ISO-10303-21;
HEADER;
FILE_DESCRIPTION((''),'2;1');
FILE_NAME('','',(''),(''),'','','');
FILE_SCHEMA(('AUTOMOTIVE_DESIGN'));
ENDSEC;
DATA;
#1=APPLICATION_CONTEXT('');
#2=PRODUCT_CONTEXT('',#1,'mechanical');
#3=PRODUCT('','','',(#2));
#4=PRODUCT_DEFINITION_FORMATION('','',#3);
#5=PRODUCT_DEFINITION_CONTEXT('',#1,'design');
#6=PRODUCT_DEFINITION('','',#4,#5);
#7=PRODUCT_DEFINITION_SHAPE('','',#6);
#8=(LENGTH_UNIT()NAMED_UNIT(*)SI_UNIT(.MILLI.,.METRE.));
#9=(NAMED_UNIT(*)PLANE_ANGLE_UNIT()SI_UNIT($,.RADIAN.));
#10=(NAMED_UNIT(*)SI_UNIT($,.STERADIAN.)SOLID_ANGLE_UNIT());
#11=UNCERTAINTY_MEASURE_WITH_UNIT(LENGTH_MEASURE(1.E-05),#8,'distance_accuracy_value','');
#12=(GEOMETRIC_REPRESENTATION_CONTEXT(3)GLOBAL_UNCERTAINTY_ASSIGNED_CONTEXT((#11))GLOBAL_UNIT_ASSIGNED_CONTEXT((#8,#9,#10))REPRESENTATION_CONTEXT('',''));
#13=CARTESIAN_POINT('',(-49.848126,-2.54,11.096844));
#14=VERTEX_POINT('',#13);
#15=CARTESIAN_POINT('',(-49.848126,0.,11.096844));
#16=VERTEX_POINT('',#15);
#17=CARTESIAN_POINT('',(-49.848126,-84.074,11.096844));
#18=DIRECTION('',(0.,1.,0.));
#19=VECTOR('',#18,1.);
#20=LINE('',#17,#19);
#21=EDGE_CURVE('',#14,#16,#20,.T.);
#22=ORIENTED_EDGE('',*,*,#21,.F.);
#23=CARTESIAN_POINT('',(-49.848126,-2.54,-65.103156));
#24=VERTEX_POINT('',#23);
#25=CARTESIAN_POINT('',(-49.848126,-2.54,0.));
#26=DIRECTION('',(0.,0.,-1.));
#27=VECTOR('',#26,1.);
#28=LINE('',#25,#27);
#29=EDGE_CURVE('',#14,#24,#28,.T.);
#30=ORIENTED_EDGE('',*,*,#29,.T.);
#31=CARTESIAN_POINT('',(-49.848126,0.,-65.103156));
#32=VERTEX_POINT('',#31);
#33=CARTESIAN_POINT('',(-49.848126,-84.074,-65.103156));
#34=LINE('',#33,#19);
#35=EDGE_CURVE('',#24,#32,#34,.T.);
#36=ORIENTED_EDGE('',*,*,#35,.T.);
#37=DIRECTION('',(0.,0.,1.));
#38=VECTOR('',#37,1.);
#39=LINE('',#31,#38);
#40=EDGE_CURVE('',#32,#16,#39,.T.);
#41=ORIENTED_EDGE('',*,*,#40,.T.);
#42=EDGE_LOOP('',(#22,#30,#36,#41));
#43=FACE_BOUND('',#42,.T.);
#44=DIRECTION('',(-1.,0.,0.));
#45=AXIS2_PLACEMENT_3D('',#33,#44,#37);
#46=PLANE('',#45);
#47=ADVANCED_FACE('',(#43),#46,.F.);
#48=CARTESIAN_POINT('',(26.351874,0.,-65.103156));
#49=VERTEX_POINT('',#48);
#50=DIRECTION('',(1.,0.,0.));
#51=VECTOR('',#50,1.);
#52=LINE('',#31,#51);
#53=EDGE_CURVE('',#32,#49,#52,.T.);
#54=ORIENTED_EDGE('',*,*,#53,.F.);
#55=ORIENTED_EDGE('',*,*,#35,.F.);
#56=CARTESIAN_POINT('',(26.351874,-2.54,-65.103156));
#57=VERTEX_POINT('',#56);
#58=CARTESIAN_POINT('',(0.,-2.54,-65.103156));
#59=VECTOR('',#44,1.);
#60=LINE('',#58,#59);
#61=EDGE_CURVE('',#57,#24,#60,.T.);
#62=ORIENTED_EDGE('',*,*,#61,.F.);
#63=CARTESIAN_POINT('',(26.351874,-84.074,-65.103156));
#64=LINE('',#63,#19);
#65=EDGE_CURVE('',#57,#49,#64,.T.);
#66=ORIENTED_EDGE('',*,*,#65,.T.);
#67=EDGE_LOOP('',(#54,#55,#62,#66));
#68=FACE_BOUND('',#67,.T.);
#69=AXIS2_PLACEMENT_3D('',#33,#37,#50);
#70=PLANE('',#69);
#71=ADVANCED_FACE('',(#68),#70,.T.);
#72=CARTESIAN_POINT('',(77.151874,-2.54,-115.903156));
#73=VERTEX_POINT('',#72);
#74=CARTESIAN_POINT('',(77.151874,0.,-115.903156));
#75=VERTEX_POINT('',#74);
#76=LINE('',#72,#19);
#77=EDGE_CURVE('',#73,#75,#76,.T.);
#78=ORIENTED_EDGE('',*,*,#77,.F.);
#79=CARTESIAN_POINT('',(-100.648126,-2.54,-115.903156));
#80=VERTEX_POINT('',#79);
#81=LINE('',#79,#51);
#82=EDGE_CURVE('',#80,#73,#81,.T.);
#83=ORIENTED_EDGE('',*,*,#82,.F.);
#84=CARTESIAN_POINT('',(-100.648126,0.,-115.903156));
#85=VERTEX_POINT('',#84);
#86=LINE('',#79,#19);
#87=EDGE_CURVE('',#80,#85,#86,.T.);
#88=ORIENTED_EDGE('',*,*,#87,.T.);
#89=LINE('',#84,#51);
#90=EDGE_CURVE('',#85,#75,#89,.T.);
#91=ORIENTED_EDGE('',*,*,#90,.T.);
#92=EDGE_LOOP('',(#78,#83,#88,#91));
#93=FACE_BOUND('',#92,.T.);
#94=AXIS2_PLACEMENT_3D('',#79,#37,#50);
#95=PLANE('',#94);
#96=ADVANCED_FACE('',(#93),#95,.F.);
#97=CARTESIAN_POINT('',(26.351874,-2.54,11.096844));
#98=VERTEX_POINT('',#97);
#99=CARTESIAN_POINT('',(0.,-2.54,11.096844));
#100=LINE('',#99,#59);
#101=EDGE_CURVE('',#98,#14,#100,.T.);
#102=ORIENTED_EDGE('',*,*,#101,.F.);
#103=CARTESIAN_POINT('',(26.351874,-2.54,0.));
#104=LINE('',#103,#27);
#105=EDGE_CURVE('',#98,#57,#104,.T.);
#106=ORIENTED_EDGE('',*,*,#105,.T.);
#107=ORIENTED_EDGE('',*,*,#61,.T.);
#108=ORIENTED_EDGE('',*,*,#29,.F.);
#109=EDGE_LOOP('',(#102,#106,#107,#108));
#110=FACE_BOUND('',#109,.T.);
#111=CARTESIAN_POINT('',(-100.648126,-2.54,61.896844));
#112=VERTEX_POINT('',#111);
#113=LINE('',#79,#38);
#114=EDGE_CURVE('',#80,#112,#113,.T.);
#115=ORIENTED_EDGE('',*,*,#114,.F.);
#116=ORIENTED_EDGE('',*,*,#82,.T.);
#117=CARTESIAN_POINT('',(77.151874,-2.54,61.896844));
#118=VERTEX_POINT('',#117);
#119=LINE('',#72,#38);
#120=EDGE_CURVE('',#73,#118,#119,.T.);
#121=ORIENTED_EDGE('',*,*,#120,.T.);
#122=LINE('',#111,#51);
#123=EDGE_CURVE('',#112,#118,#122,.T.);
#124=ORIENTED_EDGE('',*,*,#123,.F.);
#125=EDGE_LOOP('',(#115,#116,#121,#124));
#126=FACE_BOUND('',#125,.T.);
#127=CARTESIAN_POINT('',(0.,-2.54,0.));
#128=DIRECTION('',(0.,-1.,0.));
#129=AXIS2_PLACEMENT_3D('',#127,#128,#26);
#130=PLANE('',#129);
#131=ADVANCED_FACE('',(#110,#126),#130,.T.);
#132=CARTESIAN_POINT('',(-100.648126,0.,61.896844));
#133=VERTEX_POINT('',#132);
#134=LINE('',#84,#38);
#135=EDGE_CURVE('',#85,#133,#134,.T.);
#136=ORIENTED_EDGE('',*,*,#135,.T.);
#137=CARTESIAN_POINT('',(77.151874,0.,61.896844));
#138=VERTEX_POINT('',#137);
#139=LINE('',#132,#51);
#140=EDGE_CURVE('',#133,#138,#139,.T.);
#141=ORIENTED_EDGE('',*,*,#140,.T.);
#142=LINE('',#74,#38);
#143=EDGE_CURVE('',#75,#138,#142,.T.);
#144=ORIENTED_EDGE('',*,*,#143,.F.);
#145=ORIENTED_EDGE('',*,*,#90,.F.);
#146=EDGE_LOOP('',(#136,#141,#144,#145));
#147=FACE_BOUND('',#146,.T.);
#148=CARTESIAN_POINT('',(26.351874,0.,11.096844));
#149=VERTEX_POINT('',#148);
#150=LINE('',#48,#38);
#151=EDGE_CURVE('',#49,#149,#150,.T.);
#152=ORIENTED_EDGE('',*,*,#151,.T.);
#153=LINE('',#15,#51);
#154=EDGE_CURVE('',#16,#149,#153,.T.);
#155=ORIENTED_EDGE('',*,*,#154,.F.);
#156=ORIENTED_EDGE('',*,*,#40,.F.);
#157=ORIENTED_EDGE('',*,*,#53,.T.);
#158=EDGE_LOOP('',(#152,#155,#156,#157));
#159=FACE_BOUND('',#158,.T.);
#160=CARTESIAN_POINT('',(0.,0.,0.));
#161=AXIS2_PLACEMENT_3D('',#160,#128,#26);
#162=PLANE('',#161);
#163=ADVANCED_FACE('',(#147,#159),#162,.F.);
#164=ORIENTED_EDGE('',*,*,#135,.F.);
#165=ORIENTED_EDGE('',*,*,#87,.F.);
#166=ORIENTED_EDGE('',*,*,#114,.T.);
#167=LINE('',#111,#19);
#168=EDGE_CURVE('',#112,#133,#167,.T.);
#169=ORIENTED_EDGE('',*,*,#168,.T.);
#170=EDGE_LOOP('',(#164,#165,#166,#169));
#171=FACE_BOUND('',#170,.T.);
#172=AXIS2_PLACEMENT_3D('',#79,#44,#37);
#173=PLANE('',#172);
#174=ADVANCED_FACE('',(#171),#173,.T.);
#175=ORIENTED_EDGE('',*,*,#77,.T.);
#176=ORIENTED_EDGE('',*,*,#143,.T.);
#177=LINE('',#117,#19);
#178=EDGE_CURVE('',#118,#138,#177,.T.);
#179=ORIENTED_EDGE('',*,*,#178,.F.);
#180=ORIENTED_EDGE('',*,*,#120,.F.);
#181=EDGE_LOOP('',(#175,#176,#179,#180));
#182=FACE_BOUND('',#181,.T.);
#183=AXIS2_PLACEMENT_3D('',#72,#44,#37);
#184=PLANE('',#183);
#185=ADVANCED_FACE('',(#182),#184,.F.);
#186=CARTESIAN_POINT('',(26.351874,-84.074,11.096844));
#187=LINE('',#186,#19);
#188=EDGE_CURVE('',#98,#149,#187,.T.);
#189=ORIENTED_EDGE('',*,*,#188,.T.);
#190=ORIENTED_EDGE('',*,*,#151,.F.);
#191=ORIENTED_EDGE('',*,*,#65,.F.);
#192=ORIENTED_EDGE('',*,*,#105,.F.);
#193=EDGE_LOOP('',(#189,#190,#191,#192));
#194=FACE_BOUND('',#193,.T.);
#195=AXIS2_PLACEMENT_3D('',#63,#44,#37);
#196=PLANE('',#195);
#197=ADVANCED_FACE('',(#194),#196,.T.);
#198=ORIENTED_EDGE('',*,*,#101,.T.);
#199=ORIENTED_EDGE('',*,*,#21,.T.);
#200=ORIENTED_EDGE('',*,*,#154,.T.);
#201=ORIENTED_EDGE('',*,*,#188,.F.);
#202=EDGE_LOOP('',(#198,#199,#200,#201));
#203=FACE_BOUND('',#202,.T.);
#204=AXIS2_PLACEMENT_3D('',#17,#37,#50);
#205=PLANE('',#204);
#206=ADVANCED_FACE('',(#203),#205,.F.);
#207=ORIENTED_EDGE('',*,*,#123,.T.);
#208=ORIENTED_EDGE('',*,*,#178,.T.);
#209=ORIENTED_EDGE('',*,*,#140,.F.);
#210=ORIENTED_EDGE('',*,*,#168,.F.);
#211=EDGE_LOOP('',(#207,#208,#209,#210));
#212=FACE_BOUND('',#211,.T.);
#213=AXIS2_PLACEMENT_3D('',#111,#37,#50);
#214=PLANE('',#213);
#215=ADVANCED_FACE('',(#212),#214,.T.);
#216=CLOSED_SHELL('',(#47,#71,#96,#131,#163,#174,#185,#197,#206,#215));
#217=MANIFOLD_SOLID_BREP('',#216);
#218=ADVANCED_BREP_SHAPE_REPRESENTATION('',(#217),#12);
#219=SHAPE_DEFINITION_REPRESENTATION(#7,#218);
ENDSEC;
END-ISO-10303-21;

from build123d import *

# Parameters (mm, degrees)
SKETCH4_W           = 177.8
SKETCH4_H           = 177.8
BOSS_EXTRUDE2_DEPTH = 2.54
SKETCH5_W           = 76.2
SKETCH5_H           = 76.2
CUT_EXTRUDE1_DEPTH  = 84.074


with BuildPart() as part:
    # Sketch4 → Boss-Extrude2 (new body)
    with BuildSketch(Plane(origin=(0, 0, 0), x_dir=(1, 0, 0), z_dir=(0, 1, 0))):
        with Locations((-11.748126233, 27.003155819)):
            Rectangle(SKETCH4_W, SKETCH4_H)
    extrude(amount=-BOSS_EXTRUDE2_DEPTH)

    # Sketch5 → Cut-Extrude1 (cut)
    with BuildSketch(Plane(origin=(0, 0, 0), x_dir=(1, 0, 0), z_dir=(0, 1, 0))):
        with Locations((-11.748126233, 27.003155819)):
            Rectangle(SKETCH5_W, SKETCH5_H)
    extrude(amount=-CUT_EXTRUDE1_DEPTH, mode=Mode.SUBTRACT)


solid = part.part
